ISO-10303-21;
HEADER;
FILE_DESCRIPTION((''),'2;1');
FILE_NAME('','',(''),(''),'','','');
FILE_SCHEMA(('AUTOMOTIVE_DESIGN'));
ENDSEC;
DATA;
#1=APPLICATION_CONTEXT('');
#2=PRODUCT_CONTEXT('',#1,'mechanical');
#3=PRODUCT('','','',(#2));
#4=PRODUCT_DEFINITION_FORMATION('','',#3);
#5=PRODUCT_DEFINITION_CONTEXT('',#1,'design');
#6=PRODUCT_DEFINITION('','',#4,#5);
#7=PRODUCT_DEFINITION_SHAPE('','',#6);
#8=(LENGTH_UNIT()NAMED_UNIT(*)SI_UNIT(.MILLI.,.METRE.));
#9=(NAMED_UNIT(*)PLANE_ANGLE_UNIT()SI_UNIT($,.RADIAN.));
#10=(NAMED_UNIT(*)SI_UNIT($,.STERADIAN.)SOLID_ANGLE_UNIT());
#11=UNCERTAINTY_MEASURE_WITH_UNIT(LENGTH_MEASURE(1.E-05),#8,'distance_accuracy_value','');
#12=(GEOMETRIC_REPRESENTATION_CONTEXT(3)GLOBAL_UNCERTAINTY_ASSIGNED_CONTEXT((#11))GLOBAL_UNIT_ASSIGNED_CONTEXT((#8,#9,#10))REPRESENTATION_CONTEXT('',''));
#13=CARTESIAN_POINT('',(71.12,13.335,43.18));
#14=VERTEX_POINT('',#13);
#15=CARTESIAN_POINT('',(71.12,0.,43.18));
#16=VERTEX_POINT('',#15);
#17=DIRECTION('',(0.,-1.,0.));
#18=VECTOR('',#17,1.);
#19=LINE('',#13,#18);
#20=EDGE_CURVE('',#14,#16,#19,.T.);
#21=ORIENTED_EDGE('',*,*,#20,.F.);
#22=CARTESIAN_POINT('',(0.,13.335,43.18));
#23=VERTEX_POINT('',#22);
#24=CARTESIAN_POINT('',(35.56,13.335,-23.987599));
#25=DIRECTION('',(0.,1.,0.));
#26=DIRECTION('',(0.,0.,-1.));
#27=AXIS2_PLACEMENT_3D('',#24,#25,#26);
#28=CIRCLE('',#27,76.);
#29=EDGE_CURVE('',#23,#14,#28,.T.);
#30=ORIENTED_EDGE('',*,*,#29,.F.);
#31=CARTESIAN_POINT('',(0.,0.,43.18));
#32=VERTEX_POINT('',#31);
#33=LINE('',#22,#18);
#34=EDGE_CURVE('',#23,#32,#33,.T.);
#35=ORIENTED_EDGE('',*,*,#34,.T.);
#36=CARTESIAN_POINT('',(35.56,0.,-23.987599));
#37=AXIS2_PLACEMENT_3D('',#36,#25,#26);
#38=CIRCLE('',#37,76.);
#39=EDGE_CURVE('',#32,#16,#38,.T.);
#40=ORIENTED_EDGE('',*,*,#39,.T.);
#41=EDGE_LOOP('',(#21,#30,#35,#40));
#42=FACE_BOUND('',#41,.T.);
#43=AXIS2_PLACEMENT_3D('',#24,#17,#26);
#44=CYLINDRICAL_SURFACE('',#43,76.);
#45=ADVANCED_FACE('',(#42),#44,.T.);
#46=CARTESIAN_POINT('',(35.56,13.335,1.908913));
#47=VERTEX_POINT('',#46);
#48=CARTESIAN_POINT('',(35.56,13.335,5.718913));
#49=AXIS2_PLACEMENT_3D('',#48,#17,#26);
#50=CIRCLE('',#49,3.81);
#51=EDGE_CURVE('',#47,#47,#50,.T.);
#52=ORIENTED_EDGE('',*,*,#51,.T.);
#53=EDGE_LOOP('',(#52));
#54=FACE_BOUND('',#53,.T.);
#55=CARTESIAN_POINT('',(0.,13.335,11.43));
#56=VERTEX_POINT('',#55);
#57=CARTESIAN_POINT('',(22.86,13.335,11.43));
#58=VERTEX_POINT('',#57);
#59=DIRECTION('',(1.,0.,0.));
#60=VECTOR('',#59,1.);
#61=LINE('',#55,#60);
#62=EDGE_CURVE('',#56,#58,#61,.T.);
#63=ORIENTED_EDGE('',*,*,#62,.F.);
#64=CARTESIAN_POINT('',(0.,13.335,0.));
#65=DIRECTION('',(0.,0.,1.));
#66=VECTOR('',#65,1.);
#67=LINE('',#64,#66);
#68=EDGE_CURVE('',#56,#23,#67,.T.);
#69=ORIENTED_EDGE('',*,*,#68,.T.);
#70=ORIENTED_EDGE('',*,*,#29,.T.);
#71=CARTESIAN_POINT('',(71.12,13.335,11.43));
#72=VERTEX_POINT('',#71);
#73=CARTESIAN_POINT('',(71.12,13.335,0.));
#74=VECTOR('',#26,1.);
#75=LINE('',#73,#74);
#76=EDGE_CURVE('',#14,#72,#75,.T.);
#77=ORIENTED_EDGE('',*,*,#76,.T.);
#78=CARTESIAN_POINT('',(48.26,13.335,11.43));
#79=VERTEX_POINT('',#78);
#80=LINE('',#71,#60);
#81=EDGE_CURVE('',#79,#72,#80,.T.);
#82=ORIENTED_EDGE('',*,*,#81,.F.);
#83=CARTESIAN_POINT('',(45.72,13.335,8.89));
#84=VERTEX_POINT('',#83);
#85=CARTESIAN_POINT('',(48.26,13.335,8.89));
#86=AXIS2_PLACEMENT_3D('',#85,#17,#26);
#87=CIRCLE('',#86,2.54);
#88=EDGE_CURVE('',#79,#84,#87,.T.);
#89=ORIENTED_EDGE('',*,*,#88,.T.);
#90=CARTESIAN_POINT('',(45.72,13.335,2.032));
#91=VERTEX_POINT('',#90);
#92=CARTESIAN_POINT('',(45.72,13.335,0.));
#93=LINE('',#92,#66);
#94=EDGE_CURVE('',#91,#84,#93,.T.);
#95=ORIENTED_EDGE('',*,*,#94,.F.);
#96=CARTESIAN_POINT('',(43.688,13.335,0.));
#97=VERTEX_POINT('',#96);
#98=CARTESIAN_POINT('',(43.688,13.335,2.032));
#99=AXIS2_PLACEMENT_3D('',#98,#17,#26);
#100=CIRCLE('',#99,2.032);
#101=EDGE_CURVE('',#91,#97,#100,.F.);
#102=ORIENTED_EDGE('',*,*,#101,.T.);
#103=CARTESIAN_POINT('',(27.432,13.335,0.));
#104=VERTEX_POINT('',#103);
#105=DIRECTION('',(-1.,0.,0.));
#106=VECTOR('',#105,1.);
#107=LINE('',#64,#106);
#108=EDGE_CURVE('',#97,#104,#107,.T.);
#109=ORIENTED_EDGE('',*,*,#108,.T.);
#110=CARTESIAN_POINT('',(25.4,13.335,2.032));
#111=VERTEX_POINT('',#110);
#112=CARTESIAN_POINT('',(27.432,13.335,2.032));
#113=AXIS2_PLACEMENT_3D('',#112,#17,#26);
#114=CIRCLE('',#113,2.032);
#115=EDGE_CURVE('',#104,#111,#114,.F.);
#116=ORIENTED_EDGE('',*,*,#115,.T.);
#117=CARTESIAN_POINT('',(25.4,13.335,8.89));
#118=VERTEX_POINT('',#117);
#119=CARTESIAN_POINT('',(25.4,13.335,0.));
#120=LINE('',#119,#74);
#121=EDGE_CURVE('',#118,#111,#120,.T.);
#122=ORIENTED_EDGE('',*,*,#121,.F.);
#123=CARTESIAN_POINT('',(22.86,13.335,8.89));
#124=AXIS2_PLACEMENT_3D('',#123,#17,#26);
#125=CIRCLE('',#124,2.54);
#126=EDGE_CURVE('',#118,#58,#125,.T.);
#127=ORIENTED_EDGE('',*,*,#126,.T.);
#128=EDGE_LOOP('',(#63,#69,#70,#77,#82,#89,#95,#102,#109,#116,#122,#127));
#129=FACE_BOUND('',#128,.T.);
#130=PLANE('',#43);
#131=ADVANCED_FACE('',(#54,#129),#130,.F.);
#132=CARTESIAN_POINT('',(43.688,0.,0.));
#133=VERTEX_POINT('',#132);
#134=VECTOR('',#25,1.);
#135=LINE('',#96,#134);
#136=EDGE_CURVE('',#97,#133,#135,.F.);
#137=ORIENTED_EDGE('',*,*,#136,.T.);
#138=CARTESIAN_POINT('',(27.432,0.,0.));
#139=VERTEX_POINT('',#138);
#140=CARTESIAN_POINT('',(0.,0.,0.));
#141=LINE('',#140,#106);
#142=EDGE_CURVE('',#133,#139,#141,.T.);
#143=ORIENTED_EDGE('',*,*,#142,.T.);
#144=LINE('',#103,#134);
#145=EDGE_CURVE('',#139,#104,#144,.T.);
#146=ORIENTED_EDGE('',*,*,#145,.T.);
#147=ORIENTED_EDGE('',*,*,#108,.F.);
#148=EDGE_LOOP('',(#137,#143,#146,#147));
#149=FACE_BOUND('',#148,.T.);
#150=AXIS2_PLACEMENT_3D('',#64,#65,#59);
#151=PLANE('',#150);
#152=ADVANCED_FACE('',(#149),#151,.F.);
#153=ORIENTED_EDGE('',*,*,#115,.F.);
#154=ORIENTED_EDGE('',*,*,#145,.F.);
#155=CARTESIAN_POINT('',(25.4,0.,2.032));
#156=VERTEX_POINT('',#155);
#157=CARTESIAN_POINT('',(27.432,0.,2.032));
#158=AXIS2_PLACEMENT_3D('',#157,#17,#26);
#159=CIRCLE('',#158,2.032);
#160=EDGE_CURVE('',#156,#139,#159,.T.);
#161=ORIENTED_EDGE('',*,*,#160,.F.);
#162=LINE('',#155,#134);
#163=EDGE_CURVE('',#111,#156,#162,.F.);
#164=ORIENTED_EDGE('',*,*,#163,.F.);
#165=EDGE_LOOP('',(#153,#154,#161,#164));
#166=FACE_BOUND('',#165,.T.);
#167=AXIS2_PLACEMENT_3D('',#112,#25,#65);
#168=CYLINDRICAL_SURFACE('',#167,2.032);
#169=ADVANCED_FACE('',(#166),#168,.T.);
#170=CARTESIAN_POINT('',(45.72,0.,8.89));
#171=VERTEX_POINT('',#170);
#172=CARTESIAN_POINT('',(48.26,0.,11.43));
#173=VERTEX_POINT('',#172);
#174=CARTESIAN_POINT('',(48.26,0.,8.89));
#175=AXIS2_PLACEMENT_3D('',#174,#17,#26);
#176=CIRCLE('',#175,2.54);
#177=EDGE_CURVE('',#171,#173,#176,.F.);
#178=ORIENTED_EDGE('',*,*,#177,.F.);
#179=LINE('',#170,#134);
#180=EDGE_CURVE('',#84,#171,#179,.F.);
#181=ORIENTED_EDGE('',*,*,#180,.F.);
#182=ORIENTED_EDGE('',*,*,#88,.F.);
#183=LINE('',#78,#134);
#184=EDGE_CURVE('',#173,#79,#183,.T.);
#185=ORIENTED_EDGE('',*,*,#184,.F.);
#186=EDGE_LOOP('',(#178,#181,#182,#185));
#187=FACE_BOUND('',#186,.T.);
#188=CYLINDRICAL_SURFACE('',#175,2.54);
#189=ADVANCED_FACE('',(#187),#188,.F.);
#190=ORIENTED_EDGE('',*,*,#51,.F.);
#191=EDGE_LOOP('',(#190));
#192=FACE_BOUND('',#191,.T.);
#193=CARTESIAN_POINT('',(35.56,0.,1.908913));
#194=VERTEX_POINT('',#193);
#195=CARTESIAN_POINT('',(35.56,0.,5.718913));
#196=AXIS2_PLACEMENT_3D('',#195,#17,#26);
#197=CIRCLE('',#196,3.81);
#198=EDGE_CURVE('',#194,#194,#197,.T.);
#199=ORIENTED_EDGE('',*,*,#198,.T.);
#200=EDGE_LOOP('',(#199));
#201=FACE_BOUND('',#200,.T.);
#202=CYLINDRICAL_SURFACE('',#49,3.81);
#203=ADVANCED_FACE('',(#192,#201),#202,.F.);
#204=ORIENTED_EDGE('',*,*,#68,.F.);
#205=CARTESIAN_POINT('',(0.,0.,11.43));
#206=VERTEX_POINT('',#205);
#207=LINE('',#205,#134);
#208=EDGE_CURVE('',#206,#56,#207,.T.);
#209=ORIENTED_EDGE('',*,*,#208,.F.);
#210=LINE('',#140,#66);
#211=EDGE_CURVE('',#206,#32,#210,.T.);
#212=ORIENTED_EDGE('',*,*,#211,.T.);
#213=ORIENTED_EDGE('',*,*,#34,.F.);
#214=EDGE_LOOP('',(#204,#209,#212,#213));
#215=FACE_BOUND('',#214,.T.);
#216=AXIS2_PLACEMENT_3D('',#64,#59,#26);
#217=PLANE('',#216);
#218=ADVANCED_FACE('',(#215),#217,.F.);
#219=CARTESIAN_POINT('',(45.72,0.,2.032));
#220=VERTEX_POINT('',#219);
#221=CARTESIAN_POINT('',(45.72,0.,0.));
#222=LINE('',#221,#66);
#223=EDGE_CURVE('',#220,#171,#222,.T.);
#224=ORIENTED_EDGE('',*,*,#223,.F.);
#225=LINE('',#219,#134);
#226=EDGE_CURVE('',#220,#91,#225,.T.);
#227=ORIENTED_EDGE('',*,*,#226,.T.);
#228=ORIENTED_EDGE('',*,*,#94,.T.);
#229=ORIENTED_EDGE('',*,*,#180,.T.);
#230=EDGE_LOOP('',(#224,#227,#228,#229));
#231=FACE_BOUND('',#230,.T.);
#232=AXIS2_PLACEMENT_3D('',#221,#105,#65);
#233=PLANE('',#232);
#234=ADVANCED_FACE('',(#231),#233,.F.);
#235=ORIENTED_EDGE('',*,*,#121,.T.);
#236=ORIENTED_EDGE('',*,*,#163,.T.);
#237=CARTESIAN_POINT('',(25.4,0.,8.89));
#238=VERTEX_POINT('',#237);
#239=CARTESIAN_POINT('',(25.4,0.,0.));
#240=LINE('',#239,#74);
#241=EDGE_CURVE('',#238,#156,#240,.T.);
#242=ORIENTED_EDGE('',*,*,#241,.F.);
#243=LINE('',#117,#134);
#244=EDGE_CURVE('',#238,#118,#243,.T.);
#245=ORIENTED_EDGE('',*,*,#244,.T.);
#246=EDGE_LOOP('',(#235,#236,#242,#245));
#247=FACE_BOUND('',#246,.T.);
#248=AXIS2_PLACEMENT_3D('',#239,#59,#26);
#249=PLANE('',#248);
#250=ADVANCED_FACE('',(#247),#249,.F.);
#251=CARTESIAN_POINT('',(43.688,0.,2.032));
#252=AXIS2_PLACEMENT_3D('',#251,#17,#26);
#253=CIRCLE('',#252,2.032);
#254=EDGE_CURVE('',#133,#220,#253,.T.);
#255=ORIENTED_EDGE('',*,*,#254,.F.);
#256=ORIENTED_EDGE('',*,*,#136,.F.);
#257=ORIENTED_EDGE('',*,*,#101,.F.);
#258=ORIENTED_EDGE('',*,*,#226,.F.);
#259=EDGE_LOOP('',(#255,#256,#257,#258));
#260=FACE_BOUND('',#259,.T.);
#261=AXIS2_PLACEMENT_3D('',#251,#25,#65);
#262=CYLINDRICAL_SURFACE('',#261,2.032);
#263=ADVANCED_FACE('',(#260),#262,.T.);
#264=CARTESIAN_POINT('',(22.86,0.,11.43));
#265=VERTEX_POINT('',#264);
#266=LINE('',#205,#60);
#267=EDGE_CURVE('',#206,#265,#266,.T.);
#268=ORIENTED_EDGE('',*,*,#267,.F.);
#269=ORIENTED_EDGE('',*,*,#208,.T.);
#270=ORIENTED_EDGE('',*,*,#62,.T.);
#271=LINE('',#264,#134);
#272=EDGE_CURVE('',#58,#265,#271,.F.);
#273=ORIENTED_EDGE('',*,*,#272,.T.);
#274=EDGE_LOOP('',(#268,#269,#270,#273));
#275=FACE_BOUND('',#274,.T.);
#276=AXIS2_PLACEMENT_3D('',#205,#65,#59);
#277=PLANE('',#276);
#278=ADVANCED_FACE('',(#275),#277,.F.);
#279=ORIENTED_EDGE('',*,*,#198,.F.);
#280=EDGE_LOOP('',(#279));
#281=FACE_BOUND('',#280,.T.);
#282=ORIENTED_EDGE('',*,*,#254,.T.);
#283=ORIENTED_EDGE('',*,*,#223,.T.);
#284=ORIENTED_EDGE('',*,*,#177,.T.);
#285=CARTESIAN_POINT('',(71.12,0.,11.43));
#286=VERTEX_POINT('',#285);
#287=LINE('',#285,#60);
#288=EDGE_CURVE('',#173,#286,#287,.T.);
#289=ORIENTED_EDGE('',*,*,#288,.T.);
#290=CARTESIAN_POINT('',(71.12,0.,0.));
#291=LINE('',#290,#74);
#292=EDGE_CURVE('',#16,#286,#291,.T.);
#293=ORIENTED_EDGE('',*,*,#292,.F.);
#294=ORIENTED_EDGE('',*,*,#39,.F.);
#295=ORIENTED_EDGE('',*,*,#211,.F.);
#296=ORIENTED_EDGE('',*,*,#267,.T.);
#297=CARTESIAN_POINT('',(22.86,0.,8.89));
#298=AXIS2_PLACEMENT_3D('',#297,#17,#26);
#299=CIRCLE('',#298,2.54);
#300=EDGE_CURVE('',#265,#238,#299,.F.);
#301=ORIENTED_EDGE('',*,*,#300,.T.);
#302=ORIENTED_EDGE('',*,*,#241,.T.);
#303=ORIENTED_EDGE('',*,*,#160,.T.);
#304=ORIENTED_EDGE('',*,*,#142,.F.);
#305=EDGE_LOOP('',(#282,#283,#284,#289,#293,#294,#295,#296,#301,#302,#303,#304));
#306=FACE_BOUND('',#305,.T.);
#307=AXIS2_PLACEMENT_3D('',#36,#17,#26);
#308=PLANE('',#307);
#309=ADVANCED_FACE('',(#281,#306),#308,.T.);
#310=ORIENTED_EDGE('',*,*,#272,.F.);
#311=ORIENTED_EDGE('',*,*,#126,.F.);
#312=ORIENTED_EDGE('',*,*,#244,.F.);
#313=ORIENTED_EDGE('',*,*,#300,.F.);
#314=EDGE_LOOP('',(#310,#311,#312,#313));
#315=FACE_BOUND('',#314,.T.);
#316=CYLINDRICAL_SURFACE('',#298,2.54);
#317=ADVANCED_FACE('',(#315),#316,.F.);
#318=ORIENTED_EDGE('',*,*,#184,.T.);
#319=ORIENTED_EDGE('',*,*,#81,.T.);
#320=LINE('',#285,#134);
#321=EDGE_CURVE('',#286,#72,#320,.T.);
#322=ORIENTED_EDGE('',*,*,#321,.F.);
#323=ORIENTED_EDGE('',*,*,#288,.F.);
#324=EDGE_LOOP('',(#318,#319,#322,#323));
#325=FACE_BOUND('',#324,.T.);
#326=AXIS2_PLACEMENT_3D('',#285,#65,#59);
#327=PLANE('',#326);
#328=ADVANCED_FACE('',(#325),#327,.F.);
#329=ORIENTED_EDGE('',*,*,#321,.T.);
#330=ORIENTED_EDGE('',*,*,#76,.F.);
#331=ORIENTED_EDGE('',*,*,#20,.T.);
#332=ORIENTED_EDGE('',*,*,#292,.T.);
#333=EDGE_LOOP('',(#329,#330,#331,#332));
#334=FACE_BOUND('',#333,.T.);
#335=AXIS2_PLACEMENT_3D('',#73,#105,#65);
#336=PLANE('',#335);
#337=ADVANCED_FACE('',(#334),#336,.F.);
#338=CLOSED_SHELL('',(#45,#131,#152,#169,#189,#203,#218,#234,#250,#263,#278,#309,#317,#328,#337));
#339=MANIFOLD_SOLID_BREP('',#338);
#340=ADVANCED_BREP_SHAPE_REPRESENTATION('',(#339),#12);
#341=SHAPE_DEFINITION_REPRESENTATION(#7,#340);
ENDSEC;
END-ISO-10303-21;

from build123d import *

# Parameters (mm, degrees)
BOSS_EXTRUDE2_DEPTH = 13.335
SKETCH10_W          = 25.4
SKETCH10_H          = 11.43
CUT_EXTRUDE1_DEPTH  = 14.335
FILLET1_R           = 2.54
FILLET2_R           = 2.032
SKETCH11_R          = 3.81
CUT_EXTRUDE2_DEPTH  = 14.335


with BuildPart() as part:
    # Sketch6 → Boss-Extrude2 (new body)
    with BuildSketch(Plane(origin=(0, 0, 0), x_dir=(1, 0, 0), z_dir=(0, 1, 0))):
        with BuildLine():
            Line((0, 0), (71.12, 0))
            Line((71.12, 0), (71.12, -43.18))
            ThreePointArc((71.12, -43.18), (35.56, -52.012400668), (0, -43.18))
            Line((0, -43.18), (0, 0))
        make_face()
    extrude(amount=BOSS_EXTRUDE2_DEPTH)

    # Sketch10 → Cut-Extrude1 (cut, through all)
    with BuildSketch(Plane(origin=(0, 13.335, 0), x_dir=(1, 0, 0), z_dir=(0, 1, 0))):
        with Locations((58.42, -5.715)):
            Rectangle(SKETCH10_W, SKETCH10_H)
        with Locations((12.7, -5.715)):
            Rectangle(SKETCH10_W, SKETCH10_H)
    extrude(amount=-CUT_EXTRUDE1_DEPTH, mode=Mode.SUBTRACT)

    # Fillet1
    fillet1_edges = [part.edges().sort_by_distance(p)[0] for p in [
        (25.4, 6.6675, 11.43),
        (45.72, 6.6675, 11.43),
    ]]
    fillet(fillet1_edges, radius=FILLET1_R)

    # Fillet2
    fillet2_edges = [part.edges().sort_by_distance(p)[0] for p in [
        (25.4, 6.6675, 0),
        (45.72, 6.6675, 0),
    ]]
    fillet(fillet2_edges, radius=FILLET2_R)

    # Sketch11 → Cut-Extrude2 (cut, through all)
    with BuildSketch(Plane.XZ):
        with Locations((35.56, 5.718912503)):
            Circle(SKETCH11_R)
    extrude(amount=-CUT_EXTRUDE2_DEPTH, mode=Mode.SUBTRACT)


solid = part.part
